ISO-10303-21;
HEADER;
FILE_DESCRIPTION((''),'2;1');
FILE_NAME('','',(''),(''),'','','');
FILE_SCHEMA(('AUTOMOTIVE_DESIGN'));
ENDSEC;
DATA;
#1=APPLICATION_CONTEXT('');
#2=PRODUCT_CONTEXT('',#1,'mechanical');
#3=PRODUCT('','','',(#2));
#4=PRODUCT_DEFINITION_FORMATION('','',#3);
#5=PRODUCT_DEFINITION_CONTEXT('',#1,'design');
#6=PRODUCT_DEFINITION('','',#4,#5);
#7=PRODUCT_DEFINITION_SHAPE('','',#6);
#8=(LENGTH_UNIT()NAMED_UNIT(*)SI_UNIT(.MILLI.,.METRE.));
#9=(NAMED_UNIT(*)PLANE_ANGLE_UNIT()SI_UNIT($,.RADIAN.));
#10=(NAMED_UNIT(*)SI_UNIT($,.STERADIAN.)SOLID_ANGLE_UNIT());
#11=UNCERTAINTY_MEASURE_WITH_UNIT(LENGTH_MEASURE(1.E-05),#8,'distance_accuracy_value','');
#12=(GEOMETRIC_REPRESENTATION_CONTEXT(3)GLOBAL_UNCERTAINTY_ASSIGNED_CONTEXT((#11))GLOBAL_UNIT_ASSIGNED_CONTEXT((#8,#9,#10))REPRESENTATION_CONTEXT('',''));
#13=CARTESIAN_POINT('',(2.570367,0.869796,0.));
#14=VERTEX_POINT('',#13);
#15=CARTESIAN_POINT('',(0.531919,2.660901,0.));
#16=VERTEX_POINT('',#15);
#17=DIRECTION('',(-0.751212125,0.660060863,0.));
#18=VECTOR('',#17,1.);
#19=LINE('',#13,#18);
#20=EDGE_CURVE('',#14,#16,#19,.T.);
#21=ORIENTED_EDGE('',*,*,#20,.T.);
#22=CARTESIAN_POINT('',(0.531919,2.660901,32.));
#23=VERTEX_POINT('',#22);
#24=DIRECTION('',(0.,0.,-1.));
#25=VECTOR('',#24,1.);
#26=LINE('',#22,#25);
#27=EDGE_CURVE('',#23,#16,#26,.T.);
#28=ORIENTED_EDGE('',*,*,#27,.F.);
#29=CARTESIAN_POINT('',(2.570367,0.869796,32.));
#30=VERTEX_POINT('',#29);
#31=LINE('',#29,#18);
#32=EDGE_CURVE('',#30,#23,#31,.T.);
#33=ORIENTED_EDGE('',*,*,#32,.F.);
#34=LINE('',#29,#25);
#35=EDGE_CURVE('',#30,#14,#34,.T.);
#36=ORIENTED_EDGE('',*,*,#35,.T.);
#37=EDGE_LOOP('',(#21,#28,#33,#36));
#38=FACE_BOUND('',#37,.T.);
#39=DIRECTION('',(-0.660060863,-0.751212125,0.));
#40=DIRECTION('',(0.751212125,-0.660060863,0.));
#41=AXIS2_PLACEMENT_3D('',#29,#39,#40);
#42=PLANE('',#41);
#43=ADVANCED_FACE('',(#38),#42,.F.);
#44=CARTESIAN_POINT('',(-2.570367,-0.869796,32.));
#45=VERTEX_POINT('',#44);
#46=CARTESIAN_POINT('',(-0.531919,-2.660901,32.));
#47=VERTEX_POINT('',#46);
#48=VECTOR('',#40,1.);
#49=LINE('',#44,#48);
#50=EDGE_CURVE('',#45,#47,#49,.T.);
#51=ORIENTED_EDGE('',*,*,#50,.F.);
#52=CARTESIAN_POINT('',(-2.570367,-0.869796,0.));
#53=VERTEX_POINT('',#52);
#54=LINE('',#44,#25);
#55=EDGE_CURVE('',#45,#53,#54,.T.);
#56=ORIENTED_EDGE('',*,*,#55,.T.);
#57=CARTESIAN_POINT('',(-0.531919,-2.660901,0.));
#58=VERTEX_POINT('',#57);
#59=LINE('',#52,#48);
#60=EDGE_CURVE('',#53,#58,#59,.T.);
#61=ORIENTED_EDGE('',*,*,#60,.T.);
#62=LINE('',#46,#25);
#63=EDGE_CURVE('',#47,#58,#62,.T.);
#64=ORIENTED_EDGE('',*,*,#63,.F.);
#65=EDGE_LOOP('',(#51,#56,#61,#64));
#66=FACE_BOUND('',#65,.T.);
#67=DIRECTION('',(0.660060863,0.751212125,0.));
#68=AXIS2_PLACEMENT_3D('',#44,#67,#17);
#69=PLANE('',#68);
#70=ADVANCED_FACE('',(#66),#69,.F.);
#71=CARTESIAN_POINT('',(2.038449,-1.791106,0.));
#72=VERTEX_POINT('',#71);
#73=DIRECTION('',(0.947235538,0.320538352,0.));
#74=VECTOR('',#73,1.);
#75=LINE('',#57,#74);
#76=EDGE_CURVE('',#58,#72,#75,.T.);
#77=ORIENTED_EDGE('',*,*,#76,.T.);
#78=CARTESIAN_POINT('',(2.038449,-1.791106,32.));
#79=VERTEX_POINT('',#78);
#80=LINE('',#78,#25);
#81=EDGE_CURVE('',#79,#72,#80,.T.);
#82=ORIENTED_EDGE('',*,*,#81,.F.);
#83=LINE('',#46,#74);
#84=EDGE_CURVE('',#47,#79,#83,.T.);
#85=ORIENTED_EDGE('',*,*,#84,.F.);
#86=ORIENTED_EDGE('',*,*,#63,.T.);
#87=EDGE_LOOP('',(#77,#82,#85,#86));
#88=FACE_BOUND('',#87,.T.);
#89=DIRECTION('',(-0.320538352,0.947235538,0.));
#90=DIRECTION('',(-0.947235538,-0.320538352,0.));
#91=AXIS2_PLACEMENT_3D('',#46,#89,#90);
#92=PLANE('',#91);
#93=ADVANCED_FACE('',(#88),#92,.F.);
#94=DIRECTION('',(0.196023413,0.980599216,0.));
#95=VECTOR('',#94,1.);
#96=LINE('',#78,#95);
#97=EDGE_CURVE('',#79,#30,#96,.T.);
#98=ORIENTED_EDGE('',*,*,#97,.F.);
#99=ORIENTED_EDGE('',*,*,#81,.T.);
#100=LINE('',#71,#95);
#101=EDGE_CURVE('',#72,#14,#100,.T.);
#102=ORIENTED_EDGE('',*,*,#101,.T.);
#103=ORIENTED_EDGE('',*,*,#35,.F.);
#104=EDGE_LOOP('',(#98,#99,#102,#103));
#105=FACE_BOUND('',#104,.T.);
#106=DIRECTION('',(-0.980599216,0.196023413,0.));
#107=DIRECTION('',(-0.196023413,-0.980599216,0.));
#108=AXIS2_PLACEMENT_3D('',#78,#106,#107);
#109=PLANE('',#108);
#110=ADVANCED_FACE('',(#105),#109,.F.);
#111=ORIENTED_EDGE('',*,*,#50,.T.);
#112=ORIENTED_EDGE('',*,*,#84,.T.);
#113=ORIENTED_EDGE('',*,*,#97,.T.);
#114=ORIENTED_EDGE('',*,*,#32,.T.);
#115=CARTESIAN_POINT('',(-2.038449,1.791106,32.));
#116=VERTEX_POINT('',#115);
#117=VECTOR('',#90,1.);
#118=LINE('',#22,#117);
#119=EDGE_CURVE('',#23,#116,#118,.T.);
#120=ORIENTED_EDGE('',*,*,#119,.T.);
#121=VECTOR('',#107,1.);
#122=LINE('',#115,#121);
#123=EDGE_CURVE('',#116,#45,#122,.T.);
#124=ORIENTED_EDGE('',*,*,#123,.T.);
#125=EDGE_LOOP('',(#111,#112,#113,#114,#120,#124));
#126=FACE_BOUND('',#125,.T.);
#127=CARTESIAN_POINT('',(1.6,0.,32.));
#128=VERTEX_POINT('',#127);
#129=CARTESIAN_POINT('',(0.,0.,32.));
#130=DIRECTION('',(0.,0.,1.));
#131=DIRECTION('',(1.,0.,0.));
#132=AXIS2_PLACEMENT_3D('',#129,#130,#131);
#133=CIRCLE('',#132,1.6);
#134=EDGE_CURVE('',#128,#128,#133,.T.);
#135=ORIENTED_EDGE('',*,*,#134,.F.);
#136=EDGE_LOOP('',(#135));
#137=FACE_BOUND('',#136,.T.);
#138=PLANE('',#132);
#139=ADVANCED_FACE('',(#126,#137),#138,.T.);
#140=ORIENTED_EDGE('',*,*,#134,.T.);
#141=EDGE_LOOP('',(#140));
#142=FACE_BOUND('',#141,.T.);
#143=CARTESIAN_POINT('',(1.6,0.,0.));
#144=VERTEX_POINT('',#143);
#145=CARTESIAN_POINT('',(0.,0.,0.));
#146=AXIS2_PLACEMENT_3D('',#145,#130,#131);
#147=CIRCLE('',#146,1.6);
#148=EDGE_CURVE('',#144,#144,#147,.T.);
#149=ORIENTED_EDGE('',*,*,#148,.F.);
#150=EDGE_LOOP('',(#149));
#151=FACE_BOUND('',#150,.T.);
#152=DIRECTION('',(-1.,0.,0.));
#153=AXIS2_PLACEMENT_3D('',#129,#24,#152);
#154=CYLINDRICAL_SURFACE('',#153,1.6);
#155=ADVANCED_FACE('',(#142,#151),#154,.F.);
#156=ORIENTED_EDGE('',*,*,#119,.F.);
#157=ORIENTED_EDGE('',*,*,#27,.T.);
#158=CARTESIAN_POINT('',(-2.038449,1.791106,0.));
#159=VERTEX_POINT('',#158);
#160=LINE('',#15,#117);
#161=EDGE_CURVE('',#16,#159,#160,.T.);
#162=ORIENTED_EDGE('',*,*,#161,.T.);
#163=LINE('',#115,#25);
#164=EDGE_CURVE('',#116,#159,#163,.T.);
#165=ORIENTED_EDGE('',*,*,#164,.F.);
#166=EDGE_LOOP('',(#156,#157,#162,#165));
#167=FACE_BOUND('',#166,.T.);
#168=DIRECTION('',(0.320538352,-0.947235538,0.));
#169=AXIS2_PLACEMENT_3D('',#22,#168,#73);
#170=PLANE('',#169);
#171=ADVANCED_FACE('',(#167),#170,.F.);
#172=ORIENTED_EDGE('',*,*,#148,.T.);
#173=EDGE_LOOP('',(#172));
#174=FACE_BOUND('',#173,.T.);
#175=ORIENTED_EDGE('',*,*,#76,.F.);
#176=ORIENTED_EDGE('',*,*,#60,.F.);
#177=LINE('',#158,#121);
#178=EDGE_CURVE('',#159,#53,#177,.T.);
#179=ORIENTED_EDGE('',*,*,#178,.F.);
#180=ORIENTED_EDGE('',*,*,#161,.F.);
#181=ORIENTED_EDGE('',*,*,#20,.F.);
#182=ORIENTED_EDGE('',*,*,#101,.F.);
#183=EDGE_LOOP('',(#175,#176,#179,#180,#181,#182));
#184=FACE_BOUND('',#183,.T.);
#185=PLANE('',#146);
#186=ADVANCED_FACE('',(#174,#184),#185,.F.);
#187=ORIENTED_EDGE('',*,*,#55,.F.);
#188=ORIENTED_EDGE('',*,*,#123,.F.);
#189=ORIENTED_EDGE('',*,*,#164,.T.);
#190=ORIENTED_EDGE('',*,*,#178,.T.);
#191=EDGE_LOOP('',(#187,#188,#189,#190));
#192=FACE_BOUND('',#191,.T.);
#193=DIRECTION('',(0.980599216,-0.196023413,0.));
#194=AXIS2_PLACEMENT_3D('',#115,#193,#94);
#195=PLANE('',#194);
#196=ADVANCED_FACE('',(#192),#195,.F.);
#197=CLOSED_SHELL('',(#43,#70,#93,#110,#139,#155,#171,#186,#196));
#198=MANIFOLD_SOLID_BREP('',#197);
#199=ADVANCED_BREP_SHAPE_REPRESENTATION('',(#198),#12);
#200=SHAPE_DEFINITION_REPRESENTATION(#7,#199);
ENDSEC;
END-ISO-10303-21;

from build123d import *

# Parameters (mm, degrees)
SKETCH_1_R      = 1.6
EXTRUDE_1_DEPTH = 32


with BuildPart() as part:
    # 草图1 → 凸台-拉伸1 (new body)
    with BuildSketch(Plane.XY):
        Polygon((2.038448857, -1.79110569), (2.570367457, 0.869795649), (0.5319186, 2.660901339), (-2.038448857, 1.79110569), (-2.570367457, -0.869795649), (-0.5319186, -2.660901339), align=None)
        Circle(SKETCH_1_R, mode=Mode.SUBTRACT)
    extrude(amount=EXTRUDE_1_DEPTH)


solid = part.part
